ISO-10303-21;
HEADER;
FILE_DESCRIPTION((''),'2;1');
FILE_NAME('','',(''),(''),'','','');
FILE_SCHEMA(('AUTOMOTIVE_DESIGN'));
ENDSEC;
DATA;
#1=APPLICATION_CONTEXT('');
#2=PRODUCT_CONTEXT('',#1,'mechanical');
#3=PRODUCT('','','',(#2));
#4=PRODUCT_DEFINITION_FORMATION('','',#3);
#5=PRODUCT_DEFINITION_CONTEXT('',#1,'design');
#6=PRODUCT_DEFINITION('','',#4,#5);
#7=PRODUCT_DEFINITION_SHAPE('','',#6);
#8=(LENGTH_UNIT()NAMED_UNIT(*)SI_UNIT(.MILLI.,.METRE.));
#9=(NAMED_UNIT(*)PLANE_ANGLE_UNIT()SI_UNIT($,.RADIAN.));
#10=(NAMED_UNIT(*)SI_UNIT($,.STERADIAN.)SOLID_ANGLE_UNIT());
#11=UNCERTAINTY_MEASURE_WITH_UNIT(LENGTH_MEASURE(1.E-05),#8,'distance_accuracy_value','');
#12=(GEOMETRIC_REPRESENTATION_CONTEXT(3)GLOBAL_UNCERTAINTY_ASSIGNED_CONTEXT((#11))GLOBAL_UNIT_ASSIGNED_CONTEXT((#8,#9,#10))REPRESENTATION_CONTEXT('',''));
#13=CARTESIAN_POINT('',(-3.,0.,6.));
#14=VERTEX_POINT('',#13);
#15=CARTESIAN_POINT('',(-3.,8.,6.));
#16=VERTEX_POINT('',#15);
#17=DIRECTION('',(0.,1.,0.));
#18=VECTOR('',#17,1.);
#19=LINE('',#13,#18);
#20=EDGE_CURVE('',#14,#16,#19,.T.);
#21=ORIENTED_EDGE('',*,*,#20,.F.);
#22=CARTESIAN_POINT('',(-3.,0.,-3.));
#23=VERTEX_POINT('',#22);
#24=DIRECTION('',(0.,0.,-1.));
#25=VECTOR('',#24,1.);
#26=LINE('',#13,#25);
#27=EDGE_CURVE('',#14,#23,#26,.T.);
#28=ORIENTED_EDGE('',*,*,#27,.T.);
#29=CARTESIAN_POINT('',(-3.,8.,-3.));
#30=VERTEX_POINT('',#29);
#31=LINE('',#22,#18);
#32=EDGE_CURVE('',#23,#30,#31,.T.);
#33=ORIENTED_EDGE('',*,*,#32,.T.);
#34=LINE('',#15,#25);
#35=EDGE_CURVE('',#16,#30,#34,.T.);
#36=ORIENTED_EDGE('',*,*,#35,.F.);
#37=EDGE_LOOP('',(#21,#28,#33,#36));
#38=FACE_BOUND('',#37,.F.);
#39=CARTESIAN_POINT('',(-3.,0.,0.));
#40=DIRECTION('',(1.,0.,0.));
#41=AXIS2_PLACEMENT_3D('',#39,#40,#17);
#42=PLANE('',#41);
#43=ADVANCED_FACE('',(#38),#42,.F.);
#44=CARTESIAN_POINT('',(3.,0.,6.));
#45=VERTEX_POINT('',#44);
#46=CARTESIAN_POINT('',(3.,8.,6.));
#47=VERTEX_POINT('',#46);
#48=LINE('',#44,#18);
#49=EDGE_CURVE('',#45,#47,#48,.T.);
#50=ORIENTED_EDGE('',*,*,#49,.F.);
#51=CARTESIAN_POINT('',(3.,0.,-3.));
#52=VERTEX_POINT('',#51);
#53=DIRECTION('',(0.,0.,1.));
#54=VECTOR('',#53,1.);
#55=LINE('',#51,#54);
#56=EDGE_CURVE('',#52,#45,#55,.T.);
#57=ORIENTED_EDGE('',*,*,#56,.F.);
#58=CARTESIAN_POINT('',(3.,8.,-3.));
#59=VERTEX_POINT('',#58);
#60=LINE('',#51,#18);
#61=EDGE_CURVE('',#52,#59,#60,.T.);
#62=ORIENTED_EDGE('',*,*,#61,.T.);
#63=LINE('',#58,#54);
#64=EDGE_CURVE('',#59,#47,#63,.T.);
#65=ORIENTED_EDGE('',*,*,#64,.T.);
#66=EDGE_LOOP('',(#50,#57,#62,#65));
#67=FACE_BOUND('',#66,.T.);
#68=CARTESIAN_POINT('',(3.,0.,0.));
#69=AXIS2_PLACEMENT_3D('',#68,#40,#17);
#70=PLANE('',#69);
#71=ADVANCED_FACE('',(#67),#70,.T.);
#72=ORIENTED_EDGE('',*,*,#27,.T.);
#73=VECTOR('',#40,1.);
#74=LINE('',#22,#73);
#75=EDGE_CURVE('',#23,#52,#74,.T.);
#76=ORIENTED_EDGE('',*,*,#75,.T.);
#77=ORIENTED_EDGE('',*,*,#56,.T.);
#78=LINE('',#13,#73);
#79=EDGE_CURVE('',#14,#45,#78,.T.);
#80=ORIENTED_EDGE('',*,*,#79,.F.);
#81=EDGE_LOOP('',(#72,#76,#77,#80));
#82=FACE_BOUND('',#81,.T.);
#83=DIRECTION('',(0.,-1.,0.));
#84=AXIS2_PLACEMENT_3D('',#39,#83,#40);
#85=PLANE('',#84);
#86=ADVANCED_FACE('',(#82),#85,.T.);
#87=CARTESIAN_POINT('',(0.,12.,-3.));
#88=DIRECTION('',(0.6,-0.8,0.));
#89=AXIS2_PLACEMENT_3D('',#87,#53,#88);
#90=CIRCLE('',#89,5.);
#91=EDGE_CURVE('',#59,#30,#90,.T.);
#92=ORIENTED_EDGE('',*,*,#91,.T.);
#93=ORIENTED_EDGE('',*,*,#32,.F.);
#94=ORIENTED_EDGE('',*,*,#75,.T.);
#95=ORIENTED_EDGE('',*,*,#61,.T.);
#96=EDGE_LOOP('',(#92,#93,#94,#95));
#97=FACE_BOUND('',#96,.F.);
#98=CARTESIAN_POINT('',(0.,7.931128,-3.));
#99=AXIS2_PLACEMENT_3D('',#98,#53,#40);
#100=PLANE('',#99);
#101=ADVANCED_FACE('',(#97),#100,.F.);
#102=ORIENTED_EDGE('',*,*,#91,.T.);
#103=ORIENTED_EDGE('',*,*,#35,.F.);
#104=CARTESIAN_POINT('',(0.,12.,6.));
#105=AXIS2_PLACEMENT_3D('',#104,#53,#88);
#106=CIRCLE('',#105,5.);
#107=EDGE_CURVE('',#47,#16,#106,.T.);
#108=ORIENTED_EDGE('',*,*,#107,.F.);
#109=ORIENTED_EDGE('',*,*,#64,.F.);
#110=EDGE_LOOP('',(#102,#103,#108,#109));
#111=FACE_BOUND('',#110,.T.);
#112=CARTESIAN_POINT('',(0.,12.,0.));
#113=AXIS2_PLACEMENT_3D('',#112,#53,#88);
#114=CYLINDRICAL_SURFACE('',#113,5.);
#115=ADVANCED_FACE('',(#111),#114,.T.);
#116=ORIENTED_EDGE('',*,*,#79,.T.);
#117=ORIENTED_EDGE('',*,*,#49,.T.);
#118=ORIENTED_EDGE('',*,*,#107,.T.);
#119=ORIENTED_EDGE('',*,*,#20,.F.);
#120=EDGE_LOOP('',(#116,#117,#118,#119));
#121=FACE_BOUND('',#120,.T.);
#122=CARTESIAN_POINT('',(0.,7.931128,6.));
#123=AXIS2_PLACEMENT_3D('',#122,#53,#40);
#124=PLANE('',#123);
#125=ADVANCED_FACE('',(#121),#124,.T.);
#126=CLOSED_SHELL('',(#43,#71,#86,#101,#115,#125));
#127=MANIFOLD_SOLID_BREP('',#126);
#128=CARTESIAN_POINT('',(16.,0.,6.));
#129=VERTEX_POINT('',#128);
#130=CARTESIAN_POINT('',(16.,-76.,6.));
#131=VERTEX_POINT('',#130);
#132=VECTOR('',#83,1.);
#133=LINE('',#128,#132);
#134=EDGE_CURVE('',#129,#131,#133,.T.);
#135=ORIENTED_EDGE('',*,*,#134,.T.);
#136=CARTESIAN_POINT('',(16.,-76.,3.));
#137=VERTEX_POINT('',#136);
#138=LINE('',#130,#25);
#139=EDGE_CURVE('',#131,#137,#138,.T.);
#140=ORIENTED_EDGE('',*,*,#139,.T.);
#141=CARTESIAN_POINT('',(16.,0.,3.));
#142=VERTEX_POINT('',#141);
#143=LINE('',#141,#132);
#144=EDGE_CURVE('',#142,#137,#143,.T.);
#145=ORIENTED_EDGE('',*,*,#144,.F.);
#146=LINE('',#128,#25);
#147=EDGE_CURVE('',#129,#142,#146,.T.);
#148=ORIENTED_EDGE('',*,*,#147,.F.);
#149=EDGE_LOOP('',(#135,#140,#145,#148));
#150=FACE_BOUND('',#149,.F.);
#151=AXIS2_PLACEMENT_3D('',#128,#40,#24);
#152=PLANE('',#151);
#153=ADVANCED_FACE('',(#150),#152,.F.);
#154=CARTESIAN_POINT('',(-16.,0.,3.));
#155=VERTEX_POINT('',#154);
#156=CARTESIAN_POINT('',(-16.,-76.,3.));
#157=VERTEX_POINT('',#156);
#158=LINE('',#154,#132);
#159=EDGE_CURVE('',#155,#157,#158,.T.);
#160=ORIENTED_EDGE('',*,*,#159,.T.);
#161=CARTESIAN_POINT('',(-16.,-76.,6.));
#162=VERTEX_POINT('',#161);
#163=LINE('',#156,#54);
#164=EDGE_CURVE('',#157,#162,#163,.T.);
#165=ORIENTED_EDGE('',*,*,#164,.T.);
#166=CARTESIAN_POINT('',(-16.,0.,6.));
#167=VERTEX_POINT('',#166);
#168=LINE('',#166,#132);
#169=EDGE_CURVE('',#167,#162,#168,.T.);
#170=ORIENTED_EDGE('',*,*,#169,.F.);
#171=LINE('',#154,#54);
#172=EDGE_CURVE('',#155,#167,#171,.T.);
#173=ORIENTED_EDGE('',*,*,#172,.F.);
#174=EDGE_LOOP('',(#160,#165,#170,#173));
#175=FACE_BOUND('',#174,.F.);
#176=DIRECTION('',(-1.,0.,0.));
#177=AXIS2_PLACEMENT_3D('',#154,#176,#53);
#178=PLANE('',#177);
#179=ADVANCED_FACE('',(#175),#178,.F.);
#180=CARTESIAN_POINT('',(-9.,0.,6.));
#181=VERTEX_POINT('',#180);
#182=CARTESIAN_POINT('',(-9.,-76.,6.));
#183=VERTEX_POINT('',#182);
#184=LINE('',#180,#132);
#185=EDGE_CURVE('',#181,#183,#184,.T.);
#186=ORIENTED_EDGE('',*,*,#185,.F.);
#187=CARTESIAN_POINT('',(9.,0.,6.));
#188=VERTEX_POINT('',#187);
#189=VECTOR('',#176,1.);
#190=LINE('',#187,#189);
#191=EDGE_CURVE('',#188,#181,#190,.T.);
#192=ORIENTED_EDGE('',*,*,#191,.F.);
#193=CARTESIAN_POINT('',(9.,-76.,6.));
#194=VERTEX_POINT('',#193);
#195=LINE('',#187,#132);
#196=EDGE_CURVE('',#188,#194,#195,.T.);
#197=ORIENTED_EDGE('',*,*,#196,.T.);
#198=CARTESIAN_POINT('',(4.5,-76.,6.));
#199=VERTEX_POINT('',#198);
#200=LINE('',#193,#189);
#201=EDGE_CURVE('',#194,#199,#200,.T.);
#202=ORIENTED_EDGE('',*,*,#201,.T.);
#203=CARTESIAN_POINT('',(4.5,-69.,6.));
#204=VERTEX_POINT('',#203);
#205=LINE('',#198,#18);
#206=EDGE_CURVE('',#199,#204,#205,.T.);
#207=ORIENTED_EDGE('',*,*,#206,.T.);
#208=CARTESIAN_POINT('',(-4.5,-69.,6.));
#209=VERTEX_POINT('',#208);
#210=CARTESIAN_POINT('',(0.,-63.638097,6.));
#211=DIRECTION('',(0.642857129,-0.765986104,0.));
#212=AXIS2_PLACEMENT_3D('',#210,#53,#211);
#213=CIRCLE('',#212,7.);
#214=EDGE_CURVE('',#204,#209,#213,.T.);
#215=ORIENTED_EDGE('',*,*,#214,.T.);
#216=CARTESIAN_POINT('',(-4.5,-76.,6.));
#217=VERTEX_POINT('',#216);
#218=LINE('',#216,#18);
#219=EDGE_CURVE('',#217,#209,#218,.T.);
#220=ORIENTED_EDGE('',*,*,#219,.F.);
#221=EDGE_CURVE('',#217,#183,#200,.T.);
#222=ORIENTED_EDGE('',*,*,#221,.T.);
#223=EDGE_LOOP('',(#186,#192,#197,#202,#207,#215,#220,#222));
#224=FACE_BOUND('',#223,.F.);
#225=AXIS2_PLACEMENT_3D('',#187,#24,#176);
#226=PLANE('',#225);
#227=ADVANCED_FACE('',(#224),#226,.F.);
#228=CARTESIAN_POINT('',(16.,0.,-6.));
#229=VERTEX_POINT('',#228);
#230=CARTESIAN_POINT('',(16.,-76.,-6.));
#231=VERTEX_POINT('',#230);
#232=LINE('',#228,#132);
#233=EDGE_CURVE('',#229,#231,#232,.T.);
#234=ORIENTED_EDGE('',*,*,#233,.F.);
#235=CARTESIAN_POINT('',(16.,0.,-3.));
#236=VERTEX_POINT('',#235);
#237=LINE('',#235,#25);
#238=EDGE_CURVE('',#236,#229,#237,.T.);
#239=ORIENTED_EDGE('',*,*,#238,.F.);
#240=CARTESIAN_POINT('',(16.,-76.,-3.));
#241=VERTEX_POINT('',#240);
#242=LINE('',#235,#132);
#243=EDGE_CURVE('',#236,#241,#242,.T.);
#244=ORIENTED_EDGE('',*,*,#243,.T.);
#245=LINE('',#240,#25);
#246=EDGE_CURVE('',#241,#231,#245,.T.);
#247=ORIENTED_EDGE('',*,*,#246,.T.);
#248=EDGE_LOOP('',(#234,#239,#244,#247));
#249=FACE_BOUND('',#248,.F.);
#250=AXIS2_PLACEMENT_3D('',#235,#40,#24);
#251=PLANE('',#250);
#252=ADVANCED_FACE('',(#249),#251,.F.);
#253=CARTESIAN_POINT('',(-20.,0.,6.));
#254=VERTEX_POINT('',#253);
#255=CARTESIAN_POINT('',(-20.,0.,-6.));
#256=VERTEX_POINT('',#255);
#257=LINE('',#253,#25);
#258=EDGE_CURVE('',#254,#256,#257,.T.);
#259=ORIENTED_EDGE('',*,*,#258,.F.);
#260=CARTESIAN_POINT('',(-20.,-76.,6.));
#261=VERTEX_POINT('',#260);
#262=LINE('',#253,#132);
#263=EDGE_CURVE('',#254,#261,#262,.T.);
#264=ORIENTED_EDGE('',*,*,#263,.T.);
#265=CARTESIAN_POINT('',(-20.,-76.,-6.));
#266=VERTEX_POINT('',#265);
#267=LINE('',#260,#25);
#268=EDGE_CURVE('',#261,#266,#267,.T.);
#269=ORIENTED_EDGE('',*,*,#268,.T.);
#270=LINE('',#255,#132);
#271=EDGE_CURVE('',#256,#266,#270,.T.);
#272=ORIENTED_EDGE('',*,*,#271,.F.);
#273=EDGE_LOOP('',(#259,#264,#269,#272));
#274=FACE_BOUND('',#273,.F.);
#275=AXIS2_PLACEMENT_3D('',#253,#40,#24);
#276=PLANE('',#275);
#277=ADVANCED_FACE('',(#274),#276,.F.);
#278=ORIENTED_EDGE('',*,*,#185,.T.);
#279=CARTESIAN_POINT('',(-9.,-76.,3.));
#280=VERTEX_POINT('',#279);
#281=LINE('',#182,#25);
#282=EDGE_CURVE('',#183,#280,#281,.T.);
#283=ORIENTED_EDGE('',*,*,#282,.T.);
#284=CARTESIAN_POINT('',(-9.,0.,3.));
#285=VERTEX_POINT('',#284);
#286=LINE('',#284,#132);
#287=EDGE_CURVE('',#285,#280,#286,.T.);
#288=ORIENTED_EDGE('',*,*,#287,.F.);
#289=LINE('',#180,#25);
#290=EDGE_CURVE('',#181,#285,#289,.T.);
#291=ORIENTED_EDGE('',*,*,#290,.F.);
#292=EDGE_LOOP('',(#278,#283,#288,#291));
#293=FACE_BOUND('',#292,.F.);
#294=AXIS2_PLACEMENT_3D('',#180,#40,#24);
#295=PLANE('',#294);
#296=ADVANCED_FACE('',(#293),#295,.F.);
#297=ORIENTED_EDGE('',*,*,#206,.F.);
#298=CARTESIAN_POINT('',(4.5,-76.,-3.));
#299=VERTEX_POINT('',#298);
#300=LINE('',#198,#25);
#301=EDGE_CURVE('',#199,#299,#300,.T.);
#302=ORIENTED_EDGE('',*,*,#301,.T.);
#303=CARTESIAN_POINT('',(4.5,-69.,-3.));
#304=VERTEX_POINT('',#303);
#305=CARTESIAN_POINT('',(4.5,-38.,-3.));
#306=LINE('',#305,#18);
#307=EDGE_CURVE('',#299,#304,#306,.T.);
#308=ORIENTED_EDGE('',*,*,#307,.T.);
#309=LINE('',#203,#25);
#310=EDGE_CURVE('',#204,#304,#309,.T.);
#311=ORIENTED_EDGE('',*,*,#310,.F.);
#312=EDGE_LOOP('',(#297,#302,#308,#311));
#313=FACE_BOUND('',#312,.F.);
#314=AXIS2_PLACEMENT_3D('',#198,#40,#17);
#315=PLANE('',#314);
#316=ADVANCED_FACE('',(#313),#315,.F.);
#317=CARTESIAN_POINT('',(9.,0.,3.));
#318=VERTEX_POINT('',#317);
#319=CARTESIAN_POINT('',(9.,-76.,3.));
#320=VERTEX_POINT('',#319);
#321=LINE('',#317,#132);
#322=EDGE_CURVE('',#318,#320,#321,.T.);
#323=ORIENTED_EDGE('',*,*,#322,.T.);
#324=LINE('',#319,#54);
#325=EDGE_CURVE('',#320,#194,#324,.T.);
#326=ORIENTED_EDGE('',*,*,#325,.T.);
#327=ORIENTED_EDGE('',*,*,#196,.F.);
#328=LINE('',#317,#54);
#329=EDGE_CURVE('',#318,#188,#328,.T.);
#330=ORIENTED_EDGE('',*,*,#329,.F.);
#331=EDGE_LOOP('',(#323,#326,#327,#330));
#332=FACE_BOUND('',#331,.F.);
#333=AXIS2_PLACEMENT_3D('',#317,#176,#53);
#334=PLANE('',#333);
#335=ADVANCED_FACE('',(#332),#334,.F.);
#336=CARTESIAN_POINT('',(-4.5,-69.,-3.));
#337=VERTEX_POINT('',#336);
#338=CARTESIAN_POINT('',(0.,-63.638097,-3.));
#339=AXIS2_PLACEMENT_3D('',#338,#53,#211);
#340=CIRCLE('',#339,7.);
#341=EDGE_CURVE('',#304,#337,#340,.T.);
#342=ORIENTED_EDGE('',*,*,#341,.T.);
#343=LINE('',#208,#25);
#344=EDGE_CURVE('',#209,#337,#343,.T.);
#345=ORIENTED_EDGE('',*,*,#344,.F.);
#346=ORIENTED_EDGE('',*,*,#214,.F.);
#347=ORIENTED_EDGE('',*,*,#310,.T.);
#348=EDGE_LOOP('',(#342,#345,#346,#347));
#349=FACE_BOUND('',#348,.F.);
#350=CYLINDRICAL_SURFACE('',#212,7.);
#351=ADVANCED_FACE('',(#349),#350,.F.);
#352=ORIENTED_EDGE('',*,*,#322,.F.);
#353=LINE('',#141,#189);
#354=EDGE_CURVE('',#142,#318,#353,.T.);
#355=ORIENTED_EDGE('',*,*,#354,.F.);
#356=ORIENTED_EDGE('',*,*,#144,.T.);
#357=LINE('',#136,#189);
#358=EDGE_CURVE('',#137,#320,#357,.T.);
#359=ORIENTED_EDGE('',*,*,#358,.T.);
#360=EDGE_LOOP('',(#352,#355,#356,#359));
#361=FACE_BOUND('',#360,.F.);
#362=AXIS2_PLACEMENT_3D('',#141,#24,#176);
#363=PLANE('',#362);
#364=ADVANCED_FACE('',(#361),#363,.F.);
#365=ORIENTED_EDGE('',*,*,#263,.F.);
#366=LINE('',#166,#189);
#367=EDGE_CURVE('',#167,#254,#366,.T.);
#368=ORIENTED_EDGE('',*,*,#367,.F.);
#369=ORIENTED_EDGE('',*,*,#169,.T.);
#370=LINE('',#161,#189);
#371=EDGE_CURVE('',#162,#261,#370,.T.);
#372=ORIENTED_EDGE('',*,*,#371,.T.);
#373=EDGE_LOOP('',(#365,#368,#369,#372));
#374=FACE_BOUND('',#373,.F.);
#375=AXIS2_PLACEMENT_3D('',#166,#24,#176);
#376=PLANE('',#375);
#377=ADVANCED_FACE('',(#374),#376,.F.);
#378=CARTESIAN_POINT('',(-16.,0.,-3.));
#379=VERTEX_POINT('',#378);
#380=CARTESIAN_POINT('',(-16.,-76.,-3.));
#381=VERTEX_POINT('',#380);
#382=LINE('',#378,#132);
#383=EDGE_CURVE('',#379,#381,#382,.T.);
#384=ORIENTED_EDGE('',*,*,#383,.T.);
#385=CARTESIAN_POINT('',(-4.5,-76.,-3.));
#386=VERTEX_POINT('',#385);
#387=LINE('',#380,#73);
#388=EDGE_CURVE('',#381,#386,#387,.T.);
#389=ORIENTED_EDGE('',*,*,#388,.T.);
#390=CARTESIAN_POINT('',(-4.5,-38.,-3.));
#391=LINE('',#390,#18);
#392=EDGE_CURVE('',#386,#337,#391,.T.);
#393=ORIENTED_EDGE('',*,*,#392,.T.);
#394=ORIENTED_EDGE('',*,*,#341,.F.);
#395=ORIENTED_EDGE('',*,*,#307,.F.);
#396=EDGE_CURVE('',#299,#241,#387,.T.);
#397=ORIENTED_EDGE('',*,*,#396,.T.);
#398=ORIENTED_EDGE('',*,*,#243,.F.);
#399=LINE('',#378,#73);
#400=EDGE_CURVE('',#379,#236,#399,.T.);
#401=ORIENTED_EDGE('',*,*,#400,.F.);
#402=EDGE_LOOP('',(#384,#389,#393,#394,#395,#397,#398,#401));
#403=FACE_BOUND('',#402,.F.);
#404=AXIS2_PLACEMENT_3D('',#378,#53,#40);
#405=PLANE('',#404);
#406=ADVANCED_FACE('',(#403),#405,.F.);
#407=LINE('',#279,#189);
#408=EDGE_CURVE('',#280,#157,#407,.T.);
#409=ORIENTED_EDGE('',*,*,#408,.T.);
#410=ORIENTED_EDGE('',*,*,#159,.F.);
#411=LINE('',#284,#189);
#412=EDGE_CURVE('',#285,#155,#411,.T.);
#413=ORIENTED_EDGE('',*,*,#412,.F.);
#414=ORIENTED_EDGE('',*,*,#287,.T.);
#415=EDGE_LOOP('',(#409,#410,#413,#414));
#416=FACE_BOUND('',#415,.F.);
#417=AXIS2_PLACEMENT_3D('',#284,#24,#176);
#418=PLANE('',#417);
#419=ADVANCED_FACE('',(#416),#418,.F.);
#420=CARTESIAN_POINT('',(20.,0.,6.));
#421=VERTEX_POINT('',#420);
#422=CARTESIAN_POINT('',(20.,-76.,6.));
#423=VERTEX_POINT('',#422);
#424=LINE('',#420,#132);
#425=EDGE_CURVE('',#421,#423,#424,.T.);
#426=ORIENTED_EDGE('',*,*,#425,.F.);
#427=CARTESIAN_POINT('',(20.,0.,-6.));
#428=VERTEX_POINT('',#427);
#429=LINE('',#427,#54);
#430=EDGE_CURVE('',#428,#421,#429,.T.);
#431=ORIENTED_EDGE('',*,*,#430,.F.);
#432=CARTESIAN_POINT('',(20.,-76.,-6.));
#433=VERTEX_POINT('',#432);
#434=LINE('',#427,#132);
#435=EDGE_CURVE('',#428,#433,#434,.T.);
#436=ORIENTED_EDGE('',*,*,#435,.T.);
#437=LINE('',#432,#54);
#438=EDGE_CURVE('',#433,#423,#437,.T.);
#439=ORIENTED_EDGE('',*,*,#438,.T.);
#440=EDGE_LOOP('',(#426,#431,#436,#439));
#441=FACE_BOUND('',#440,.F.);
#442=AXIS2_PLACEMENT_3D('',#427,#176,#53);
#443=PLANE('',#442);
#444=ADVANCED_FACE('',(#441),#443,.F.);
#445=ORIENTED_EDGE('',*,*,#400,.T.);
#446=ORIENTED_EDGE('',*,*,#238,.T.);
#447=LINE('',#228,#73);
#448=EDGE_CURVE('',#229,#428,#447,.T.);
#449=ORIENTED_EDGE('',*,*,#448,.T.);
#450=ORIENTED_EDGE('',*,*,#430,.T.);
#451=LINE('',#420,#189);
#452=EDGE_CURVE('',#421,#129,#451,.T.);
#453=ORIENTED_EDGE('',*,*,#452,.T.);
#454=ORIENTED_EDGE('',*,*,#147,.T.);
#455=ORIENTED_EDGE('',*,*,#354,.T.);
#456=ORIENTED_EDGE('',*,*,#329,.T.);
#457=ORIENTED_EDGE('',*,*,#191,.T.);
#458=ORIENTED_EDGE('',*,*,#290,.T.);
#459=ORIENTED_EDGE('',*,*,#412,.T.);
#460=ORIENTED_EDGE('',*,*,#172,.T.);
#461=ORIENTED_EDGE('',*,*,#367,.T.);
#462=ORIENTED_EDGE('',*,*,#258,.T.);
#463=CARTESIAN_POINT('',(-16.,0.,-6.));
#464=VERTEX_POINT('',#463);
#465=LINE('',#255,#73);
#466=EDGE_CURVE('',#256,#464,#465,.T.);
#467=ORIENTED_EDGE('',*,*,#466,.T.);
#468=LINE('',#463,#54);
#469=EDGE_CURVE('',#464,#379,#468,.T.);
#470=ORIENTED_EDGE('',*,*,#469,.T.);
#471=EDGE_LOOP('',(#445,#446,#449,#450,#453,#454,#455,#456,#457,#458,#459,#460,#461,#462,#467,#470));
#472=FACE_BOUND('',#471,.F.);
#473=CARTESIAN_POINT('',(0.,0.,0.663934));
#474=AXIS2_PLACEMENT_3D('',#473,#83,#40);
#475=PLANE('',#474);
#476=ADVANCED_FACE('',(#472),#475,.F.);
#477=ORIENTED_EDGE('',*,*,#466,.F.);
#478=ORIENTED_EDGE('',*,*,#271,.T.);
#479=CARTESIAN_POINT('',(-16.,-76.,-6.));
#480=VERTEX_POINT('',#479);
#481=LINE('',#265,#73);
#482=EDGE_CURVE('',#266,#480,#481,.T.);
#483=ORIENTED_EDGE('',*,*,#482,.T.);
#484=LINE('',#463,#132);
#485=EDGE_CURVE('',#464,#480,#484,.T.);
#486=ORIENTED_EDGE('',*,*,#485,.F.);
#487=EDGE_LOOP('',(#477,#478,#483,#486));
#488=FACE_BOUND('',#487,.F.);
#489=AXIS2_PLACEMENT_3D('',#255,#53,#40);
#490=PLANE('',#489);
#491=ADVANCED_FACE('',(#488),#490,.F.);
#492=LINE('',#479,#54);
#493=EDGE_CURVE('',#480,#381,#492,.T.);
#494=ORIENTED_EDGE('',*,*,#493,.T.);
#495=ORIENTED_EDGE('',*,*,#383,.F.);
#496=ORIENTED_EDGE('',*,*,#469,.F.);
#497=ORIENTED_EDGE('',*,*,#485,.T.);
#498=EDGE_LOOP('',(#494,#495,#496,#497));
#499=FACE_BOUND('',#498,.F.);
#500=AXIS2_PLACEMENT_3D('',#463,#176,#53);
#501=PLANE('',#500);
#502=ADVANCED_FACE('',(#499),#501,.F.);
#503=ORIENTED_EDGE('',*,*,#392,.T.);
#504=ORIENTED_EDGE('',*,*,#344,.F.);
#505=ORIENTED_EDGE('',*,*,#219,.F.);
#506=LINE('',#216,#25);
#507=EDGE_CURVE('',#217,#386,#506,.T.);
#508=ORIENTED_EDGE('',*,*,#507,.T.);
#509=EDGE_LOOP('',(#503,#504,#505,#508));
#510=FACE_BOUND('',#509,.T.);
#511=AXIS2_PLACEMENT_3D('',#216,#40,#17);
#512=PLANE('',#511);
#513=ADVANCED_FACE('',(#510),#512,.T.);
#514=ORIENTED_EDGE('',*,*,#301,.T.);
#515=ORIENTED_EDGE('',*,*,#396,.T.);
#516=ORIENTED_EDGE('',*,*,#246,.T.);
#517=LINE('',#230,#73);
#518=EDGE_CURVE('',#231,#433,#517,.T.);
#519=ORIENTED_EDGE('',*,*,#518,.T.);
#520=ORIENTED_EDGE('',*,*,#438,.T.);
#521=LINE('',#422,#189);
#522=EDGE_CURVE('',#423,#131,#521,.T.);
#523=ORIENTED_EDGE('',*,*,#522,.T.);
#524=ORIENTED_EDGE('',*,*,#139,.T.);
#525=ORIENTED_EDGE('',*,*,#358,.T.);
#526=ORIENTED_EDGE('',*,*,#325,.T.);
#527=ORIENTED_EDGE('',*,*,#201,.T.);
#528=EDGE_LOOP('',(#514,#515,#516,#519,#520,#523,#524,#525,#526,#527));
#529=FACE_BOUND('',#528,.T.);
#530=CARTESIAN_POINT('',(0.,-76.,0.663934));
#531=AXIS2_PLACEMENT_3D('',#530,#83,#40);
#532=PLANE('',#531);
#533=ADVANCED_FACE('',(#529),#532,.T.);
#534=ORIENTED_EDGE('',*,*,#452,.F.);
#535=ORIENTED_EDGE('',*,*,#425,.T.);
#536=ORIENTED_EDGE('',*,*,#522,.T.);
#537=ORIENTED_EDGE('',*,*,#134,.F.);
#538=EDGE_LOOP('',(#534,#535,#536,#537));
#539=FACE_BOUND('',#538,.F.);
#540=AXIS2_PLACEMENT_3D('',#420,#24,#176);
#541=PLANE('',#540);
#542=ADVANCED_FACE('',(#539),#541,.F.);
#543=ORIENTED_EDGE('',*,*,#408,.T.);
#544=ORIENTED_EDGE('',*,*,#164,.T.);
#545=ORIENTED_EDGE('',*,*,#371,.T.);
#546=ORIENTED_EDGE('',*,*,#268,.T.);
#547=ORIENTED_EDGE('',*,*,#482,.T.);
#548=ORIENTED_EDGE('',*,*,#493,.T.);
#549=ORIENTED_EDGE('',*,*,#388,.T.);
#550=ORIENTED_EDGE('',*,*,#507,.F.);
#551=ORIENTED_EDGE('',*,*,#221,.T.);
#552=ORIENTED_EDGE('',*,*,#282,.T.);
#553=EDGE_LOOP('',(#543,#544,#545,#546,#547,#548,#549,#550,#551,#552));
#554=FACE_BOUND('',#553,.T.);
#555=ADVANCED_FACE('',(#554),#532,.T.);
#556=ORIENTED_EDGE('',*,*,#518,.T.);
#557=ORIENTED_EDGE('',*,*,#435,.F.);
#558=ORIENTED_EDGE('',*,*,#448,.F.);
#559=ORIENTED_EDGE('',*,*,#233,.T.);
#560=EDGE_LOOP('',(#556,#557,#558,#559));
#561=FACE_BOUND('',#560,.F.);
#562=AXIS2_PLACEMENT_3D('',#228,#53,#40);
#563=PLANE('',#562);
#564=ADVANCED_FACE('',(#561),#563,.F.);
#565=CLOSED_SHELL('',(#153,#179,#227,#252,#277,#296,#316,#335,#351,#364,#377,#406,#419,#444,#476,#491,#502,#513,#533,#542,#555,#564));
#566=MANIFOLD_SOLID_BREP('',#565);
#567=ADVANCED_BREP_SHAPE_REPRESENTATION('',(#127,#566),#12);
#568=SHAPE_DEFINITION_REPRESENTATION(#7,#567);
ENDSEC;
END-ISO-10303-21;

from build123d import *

# Parameters (mm, degrees)
PAD_DEPTH         = 76
POCKET_DEPTH      = 12.001
PAD001_DEPTH      = 6
PAD001_DEPTH_BACK = 3


with BuildPart() as body:
    # Sketch → Pad (new body)
    with BuildSketch(Plane.XZ):
        Polygon((-20, 6), (-20, -6), (-16, -6), (-16, -3), (-9, -3), (9, -3), (16, -3), (16, -6), (20, -6), (20, 6), (16, 6), (16, 3), (9, 3), (9, 6), (-9, 6), (-9, 3), (-16, 3), (-16, 6), align=None)
    extrude(amount=PAD_DEPTH)

    # Sketch002 (on Face14 of Pad) → Pocket (cut, through all)
    with BuildSketch(Plane(origin=(0, 0, 6), x_dir=(-1, 0, 0), z_dir=(0, 0, 1))):
        with BuildLine():
            Line((-4.5, 76), (4.5, 76))
            Line((4.5, 76), (4.5, 69))
            ThreePointArc((-4.5, 69), (0, 56.638097), (4.5, 69))
            Line((-4.5, 76), (-4.5, 69))
        make_face()
    extrude(amount=-POCKET_DEPTH, mode=Mode.SUBTRACT)


with BuildPart() as body001:
    # Sketch001 → Pad001 (new body, two sides)
    with BuildSketch(Plane.XY) as pad001_sk:
        with BuildLine():
            Line((-3, 0), (3, 0))
            Line((3, 0), (3, 8))
            ThreePointArc((3, 8), (0, 17), (-3, 8))
            Line((-3, 0), (-3, 8))
        make_face()
    extrude(amount=PAD001_DEPTH)
    extrude(pad001_sk.sketch, amount=-PAD001_DEPTH_BACK)


solid = Compound([body.part, body001.part])
